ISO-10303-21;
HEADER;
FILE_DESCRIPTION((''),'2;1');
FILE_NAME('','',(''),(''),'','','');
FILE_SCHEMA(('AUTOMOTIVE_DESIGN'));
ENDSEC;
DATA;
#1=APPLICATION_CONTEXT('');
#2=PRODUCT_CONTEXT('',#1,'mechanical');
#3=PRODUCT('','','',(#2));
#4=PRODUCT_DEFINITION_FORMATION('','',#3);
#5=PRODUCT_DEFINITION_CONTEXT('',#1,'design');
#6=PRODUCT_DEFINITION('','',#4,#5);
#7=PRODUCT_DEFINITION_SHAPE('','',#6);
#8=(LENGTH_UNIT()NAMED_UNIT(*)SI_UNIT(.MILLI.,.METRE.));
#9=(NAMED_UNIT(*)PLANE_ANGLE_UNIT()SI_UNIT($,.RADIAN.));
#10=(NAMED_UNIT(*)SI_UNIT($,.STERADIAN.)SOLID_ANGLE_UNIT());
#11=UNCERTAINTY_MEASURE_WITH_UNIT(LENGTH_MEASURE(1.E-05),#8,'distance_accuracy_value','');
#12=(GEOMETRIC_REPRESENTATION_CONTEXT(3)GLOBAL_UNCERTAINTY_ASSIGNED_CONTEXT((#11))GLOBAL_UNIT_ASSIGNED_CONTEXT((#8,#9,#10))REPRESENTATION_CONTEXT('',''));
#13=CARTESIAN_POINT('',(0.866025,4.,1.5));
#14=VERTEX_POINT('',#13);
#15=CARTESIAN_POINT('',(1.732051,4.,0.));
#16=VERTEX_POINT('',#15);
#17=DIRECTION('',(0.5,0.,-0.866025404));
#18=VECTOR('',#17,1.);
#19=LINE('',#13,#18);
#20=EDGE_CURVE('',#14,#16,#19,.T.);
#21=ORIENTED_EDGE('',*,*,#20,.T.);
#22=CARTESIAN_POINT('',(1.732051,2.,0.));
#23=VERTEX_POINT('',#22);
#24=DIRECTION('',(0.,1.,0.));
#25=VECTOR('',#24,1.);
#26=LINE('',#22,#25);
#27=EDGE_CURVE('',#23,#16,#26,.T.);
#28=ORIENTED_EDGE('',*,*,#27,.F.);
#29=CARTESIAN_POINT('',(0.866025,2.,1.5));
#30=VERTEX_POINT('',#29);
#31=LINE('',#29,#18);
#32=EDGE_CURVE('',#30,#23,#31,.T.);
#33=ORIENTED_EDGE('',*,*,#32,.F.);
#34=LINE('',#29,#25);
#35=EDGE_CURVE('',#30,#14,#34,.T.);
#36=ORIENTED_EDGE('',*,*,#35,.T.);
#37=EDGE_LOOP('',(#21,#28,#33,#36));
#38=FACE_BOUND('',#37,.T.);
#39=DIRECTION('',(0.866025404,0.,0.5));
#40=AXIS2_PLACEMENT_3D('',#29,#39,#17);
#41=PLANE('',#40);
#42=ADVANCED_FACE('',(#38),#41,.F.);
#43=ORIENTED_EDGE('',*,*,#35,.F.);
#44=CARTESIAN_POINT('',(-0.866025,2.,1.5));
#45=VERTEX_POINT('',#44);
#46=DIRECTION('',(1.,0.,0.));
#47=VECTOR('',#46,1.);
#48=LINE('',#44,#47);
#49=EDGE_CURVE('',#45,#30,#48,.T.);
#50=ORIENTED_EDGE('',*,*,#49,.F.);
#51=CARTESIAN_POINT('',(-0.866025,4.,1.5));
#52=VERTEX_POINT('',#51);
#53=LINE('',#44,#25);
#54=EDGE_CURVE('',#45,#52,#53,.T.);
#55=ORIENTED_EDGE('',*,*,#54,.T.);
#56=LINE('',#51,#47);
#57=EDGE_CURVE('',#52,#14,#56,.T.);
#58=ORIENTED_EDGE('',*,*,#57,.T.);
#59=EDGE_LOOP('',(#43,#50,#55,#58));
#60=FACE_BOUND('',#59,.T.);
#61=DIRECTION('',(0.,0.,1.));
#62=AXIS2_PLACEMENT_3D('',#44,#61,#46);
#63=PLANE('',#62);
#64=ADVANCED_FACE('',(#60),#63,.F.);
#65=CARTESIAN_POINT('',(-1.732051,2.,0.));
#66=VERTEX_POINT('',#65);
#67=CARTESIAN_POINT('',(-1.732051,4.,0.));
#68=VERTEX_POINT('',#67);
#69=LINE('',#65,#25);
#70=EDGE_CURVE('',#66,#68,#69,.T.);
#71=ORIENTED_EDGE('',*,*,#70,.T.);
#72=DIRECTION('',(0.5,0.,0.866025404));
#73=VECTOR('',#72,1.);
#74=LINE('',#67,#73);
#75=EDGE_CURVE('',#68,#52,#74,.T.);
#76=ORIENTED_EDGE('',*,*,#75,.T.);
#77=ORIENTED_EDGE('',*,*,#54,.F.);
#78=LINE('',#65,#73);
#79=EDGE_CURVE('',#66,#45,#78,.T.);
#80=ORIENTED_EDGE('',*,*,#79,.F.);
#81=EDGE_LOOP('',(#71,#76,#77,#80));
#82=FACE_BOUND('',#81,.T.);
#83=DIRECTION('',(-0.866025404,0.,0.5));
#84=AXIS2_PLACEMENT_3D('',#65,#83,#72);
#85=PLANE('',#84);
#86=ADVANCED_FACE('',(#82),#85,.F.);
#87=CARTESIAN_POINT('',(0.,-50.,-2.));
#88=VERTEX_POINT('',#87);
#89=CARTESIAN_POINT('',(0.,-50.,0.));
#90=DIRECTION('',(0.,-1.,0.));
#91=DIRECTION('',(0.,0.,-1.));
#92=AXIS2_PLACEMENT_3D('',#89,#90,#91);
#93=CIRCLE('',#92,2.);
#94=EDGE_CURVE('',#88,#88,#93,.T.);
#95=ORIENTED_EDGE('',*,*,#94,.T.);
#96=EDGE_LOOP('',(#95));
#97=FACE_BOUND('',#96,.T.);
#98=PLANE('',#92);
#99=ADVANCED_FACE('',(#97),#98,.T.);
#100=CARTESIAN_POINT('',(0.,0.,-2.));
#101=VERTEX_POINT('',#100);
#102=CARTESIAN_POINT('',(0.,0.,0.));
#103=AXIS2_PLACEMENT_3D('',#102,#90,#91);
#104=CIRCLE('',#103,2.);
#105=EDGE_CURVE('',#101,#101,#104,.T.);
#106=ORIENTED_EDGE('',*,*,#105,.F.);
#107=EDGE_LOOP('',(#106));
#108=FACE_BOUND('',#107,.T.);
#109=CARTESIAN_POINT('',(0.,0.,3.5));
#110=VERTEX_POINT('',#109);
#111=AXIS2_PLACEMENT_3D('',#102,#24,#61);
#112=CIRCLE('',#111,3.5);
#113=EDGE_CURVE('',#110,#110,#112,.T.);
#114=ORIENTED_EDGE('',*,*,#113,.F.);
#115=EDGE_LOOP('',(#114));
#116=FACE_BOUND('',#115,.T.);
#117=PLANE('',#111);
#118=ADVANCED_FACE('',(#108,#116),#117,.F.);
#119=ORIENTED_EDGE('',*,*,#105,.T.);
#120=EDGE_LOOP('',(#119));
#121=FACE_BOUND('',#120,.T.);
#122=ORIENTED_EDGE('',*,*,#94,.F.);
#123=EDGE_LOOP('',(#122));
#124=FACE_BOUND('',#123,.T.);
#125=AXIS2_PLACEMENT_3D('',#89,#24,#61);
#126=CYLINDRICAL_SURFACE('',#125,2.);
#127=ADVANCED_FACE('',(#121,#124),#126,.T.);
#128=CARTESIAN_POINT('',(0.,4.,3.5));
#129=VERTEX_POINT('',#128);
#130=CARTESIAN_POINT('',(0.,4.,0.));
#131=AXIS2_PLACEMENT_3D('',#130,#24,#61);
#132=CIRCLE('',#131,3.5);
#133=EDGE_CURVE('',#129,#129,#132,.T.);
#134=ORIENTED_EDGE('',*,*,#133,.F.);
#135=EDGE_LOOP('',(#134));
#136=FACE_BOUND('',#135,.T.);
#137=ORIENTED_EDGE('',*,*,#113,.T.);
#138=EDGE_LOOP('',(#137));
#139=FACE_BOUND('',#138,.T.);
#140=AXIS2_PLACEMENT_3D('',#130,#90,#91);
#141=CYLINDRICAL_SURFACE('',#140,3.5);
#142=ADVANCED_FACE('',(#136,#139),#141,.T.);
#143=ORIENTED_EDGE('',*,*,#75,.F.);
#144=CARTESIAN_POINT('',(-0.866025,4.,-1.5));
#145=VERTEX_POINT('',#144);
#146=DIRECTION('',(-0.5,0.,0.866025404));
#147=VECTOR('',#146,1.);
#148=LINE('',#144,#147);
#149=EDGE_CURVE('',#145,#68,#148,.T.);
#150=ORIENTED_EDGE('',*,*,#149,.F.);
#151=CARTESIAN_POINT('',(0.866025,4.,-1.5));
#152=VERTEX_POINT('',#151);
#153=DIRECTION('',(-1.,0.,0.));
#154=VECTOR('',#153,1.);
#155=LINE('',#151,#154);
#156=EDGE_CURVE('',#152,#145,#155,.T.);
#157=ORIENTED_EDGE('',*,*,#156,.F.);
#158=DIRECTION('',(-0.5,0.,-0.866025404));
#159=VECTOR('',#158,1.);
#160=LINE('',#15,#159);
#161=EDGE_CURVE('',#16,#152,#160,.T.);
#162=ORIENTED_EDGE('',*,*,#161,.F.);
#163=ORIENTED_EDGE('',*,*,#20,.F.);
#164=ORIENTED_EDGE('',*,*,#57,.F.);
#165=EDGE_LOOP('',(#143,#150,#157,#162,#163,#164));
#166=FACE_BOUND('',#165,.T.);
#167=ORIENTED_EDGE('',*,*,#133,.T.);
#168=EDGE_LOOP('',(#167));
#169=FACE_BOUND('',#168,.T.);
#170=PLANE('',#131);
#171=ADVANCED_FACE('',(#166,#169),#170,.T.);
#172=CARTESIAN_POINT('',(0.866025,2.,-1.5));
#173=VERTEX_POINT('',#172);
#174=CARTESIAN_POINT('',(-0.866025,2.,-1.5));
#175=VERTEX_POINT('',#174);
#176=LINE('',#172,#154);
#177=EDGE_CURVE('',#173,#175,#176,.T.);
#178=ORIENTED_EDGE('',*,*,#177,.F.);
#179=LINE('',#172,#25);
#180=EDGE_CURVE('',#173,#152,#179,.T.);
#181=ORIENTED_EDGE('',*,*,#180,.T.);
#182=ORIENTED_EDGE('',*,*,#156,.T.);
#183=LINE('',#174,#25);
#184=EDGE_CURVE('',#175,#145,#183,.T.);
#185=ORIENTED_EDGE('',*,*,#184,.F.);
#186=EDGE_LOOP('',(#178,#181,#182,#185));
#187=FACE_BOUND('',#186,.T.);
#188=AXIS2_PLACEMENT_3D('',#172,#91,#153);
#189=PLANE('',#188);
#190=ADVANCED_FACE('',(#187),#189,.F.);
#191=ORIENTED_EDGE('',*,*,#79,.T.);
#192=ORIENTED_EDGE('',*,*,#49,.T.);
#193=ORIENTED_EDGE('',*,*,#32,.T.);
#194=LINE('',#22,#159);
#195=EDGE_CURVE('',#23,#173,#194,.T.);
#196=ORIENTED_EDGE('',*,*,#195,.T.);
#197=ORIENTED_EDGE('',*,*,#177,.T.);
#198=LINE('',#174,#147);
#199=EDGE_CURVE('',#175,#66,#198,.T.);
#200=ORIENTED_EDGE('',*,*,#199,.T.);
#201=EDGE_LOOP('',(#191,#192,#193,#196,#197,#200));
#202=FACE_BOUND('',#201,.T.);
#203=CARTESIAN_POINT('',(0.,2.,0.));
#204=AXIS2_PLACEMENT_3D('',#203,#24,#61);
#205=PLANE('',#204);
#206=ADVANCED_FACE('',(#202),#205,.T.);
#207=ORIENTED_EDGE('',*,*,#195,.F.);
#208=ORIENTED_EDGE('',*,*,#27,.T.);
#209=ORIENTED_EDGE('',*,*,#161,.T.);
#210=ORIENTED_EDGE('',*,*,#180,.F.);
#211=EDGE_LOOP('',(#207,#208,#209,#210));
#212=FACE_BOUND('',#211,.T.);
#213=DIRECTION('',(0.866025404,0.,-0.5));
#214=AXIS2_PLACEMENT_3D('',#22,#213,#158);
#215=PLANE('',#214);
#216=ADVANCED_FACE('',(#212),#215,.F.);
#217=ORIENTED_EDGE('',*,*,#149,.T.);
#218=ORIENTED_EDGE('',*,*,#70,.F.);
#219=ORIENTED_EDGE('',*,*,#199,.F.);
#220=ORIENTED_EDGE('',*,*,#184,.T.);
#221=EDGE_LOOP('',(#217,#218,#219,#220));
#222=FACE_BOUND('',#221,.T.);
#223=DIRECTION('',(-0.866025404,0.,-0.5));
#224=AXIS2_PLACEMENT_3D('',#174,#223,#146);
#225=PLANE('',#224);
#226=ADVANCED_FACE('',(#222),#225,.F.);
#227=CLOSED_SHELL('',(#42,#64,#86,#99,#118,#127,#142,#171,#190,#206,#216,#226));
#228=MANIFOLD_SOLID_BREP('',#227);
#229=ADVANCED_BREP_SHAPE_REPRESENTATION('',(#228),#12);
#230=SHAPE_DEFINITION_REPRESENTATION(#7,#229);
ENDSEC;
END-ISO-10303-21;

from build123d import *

# Parameters (mm, degrees)
SKETCH_1_R            = 3.5
EXTRUDE_246_DEPTH     = 4
CUT_EXTRUDE_376_DEPTH = 2
SKETCH_3_R            = 2
EXTRUDE_477_DEPTH     = 50


with BuildPart() as part:
    # 草图1 → Extrude 246 (new body)
    with BuildSketch(Plane(origin=(0, 0, 0), x_dir=(1, 0, 0), z_dir=(0, 1, 0))):
        Circle(SKETCH_1_R)
    extrude(amount=EXTRUDE_246_DEPTH)

    # 草图2 → Cut-Extrude 376 (cut)
    with BuildSketch(Plane(origin=(0, 4, 0), x_dir=(1, 0, 0), z_dir=(0, 1, 0))):
        Polygon((1.732050808, 0), (0.866025404, 1.5), (-0.866025404, 1.5), (-1.732050808, 0), (-0.866025404, -1.5), (0.866025404, -1.5), align=None)
    extrude(amount=-CUT_EXTRUDE_376_DEPTH, mode=Mode.SUBTRACT)

    # 草图3 → Extrude 477 (add)
    with BuildSketch(Plane.XZ):
        Circle(SKETCH_3_R)
    extrude(amount=EXTRUDE_477_DEPTH)


solid = part.part
